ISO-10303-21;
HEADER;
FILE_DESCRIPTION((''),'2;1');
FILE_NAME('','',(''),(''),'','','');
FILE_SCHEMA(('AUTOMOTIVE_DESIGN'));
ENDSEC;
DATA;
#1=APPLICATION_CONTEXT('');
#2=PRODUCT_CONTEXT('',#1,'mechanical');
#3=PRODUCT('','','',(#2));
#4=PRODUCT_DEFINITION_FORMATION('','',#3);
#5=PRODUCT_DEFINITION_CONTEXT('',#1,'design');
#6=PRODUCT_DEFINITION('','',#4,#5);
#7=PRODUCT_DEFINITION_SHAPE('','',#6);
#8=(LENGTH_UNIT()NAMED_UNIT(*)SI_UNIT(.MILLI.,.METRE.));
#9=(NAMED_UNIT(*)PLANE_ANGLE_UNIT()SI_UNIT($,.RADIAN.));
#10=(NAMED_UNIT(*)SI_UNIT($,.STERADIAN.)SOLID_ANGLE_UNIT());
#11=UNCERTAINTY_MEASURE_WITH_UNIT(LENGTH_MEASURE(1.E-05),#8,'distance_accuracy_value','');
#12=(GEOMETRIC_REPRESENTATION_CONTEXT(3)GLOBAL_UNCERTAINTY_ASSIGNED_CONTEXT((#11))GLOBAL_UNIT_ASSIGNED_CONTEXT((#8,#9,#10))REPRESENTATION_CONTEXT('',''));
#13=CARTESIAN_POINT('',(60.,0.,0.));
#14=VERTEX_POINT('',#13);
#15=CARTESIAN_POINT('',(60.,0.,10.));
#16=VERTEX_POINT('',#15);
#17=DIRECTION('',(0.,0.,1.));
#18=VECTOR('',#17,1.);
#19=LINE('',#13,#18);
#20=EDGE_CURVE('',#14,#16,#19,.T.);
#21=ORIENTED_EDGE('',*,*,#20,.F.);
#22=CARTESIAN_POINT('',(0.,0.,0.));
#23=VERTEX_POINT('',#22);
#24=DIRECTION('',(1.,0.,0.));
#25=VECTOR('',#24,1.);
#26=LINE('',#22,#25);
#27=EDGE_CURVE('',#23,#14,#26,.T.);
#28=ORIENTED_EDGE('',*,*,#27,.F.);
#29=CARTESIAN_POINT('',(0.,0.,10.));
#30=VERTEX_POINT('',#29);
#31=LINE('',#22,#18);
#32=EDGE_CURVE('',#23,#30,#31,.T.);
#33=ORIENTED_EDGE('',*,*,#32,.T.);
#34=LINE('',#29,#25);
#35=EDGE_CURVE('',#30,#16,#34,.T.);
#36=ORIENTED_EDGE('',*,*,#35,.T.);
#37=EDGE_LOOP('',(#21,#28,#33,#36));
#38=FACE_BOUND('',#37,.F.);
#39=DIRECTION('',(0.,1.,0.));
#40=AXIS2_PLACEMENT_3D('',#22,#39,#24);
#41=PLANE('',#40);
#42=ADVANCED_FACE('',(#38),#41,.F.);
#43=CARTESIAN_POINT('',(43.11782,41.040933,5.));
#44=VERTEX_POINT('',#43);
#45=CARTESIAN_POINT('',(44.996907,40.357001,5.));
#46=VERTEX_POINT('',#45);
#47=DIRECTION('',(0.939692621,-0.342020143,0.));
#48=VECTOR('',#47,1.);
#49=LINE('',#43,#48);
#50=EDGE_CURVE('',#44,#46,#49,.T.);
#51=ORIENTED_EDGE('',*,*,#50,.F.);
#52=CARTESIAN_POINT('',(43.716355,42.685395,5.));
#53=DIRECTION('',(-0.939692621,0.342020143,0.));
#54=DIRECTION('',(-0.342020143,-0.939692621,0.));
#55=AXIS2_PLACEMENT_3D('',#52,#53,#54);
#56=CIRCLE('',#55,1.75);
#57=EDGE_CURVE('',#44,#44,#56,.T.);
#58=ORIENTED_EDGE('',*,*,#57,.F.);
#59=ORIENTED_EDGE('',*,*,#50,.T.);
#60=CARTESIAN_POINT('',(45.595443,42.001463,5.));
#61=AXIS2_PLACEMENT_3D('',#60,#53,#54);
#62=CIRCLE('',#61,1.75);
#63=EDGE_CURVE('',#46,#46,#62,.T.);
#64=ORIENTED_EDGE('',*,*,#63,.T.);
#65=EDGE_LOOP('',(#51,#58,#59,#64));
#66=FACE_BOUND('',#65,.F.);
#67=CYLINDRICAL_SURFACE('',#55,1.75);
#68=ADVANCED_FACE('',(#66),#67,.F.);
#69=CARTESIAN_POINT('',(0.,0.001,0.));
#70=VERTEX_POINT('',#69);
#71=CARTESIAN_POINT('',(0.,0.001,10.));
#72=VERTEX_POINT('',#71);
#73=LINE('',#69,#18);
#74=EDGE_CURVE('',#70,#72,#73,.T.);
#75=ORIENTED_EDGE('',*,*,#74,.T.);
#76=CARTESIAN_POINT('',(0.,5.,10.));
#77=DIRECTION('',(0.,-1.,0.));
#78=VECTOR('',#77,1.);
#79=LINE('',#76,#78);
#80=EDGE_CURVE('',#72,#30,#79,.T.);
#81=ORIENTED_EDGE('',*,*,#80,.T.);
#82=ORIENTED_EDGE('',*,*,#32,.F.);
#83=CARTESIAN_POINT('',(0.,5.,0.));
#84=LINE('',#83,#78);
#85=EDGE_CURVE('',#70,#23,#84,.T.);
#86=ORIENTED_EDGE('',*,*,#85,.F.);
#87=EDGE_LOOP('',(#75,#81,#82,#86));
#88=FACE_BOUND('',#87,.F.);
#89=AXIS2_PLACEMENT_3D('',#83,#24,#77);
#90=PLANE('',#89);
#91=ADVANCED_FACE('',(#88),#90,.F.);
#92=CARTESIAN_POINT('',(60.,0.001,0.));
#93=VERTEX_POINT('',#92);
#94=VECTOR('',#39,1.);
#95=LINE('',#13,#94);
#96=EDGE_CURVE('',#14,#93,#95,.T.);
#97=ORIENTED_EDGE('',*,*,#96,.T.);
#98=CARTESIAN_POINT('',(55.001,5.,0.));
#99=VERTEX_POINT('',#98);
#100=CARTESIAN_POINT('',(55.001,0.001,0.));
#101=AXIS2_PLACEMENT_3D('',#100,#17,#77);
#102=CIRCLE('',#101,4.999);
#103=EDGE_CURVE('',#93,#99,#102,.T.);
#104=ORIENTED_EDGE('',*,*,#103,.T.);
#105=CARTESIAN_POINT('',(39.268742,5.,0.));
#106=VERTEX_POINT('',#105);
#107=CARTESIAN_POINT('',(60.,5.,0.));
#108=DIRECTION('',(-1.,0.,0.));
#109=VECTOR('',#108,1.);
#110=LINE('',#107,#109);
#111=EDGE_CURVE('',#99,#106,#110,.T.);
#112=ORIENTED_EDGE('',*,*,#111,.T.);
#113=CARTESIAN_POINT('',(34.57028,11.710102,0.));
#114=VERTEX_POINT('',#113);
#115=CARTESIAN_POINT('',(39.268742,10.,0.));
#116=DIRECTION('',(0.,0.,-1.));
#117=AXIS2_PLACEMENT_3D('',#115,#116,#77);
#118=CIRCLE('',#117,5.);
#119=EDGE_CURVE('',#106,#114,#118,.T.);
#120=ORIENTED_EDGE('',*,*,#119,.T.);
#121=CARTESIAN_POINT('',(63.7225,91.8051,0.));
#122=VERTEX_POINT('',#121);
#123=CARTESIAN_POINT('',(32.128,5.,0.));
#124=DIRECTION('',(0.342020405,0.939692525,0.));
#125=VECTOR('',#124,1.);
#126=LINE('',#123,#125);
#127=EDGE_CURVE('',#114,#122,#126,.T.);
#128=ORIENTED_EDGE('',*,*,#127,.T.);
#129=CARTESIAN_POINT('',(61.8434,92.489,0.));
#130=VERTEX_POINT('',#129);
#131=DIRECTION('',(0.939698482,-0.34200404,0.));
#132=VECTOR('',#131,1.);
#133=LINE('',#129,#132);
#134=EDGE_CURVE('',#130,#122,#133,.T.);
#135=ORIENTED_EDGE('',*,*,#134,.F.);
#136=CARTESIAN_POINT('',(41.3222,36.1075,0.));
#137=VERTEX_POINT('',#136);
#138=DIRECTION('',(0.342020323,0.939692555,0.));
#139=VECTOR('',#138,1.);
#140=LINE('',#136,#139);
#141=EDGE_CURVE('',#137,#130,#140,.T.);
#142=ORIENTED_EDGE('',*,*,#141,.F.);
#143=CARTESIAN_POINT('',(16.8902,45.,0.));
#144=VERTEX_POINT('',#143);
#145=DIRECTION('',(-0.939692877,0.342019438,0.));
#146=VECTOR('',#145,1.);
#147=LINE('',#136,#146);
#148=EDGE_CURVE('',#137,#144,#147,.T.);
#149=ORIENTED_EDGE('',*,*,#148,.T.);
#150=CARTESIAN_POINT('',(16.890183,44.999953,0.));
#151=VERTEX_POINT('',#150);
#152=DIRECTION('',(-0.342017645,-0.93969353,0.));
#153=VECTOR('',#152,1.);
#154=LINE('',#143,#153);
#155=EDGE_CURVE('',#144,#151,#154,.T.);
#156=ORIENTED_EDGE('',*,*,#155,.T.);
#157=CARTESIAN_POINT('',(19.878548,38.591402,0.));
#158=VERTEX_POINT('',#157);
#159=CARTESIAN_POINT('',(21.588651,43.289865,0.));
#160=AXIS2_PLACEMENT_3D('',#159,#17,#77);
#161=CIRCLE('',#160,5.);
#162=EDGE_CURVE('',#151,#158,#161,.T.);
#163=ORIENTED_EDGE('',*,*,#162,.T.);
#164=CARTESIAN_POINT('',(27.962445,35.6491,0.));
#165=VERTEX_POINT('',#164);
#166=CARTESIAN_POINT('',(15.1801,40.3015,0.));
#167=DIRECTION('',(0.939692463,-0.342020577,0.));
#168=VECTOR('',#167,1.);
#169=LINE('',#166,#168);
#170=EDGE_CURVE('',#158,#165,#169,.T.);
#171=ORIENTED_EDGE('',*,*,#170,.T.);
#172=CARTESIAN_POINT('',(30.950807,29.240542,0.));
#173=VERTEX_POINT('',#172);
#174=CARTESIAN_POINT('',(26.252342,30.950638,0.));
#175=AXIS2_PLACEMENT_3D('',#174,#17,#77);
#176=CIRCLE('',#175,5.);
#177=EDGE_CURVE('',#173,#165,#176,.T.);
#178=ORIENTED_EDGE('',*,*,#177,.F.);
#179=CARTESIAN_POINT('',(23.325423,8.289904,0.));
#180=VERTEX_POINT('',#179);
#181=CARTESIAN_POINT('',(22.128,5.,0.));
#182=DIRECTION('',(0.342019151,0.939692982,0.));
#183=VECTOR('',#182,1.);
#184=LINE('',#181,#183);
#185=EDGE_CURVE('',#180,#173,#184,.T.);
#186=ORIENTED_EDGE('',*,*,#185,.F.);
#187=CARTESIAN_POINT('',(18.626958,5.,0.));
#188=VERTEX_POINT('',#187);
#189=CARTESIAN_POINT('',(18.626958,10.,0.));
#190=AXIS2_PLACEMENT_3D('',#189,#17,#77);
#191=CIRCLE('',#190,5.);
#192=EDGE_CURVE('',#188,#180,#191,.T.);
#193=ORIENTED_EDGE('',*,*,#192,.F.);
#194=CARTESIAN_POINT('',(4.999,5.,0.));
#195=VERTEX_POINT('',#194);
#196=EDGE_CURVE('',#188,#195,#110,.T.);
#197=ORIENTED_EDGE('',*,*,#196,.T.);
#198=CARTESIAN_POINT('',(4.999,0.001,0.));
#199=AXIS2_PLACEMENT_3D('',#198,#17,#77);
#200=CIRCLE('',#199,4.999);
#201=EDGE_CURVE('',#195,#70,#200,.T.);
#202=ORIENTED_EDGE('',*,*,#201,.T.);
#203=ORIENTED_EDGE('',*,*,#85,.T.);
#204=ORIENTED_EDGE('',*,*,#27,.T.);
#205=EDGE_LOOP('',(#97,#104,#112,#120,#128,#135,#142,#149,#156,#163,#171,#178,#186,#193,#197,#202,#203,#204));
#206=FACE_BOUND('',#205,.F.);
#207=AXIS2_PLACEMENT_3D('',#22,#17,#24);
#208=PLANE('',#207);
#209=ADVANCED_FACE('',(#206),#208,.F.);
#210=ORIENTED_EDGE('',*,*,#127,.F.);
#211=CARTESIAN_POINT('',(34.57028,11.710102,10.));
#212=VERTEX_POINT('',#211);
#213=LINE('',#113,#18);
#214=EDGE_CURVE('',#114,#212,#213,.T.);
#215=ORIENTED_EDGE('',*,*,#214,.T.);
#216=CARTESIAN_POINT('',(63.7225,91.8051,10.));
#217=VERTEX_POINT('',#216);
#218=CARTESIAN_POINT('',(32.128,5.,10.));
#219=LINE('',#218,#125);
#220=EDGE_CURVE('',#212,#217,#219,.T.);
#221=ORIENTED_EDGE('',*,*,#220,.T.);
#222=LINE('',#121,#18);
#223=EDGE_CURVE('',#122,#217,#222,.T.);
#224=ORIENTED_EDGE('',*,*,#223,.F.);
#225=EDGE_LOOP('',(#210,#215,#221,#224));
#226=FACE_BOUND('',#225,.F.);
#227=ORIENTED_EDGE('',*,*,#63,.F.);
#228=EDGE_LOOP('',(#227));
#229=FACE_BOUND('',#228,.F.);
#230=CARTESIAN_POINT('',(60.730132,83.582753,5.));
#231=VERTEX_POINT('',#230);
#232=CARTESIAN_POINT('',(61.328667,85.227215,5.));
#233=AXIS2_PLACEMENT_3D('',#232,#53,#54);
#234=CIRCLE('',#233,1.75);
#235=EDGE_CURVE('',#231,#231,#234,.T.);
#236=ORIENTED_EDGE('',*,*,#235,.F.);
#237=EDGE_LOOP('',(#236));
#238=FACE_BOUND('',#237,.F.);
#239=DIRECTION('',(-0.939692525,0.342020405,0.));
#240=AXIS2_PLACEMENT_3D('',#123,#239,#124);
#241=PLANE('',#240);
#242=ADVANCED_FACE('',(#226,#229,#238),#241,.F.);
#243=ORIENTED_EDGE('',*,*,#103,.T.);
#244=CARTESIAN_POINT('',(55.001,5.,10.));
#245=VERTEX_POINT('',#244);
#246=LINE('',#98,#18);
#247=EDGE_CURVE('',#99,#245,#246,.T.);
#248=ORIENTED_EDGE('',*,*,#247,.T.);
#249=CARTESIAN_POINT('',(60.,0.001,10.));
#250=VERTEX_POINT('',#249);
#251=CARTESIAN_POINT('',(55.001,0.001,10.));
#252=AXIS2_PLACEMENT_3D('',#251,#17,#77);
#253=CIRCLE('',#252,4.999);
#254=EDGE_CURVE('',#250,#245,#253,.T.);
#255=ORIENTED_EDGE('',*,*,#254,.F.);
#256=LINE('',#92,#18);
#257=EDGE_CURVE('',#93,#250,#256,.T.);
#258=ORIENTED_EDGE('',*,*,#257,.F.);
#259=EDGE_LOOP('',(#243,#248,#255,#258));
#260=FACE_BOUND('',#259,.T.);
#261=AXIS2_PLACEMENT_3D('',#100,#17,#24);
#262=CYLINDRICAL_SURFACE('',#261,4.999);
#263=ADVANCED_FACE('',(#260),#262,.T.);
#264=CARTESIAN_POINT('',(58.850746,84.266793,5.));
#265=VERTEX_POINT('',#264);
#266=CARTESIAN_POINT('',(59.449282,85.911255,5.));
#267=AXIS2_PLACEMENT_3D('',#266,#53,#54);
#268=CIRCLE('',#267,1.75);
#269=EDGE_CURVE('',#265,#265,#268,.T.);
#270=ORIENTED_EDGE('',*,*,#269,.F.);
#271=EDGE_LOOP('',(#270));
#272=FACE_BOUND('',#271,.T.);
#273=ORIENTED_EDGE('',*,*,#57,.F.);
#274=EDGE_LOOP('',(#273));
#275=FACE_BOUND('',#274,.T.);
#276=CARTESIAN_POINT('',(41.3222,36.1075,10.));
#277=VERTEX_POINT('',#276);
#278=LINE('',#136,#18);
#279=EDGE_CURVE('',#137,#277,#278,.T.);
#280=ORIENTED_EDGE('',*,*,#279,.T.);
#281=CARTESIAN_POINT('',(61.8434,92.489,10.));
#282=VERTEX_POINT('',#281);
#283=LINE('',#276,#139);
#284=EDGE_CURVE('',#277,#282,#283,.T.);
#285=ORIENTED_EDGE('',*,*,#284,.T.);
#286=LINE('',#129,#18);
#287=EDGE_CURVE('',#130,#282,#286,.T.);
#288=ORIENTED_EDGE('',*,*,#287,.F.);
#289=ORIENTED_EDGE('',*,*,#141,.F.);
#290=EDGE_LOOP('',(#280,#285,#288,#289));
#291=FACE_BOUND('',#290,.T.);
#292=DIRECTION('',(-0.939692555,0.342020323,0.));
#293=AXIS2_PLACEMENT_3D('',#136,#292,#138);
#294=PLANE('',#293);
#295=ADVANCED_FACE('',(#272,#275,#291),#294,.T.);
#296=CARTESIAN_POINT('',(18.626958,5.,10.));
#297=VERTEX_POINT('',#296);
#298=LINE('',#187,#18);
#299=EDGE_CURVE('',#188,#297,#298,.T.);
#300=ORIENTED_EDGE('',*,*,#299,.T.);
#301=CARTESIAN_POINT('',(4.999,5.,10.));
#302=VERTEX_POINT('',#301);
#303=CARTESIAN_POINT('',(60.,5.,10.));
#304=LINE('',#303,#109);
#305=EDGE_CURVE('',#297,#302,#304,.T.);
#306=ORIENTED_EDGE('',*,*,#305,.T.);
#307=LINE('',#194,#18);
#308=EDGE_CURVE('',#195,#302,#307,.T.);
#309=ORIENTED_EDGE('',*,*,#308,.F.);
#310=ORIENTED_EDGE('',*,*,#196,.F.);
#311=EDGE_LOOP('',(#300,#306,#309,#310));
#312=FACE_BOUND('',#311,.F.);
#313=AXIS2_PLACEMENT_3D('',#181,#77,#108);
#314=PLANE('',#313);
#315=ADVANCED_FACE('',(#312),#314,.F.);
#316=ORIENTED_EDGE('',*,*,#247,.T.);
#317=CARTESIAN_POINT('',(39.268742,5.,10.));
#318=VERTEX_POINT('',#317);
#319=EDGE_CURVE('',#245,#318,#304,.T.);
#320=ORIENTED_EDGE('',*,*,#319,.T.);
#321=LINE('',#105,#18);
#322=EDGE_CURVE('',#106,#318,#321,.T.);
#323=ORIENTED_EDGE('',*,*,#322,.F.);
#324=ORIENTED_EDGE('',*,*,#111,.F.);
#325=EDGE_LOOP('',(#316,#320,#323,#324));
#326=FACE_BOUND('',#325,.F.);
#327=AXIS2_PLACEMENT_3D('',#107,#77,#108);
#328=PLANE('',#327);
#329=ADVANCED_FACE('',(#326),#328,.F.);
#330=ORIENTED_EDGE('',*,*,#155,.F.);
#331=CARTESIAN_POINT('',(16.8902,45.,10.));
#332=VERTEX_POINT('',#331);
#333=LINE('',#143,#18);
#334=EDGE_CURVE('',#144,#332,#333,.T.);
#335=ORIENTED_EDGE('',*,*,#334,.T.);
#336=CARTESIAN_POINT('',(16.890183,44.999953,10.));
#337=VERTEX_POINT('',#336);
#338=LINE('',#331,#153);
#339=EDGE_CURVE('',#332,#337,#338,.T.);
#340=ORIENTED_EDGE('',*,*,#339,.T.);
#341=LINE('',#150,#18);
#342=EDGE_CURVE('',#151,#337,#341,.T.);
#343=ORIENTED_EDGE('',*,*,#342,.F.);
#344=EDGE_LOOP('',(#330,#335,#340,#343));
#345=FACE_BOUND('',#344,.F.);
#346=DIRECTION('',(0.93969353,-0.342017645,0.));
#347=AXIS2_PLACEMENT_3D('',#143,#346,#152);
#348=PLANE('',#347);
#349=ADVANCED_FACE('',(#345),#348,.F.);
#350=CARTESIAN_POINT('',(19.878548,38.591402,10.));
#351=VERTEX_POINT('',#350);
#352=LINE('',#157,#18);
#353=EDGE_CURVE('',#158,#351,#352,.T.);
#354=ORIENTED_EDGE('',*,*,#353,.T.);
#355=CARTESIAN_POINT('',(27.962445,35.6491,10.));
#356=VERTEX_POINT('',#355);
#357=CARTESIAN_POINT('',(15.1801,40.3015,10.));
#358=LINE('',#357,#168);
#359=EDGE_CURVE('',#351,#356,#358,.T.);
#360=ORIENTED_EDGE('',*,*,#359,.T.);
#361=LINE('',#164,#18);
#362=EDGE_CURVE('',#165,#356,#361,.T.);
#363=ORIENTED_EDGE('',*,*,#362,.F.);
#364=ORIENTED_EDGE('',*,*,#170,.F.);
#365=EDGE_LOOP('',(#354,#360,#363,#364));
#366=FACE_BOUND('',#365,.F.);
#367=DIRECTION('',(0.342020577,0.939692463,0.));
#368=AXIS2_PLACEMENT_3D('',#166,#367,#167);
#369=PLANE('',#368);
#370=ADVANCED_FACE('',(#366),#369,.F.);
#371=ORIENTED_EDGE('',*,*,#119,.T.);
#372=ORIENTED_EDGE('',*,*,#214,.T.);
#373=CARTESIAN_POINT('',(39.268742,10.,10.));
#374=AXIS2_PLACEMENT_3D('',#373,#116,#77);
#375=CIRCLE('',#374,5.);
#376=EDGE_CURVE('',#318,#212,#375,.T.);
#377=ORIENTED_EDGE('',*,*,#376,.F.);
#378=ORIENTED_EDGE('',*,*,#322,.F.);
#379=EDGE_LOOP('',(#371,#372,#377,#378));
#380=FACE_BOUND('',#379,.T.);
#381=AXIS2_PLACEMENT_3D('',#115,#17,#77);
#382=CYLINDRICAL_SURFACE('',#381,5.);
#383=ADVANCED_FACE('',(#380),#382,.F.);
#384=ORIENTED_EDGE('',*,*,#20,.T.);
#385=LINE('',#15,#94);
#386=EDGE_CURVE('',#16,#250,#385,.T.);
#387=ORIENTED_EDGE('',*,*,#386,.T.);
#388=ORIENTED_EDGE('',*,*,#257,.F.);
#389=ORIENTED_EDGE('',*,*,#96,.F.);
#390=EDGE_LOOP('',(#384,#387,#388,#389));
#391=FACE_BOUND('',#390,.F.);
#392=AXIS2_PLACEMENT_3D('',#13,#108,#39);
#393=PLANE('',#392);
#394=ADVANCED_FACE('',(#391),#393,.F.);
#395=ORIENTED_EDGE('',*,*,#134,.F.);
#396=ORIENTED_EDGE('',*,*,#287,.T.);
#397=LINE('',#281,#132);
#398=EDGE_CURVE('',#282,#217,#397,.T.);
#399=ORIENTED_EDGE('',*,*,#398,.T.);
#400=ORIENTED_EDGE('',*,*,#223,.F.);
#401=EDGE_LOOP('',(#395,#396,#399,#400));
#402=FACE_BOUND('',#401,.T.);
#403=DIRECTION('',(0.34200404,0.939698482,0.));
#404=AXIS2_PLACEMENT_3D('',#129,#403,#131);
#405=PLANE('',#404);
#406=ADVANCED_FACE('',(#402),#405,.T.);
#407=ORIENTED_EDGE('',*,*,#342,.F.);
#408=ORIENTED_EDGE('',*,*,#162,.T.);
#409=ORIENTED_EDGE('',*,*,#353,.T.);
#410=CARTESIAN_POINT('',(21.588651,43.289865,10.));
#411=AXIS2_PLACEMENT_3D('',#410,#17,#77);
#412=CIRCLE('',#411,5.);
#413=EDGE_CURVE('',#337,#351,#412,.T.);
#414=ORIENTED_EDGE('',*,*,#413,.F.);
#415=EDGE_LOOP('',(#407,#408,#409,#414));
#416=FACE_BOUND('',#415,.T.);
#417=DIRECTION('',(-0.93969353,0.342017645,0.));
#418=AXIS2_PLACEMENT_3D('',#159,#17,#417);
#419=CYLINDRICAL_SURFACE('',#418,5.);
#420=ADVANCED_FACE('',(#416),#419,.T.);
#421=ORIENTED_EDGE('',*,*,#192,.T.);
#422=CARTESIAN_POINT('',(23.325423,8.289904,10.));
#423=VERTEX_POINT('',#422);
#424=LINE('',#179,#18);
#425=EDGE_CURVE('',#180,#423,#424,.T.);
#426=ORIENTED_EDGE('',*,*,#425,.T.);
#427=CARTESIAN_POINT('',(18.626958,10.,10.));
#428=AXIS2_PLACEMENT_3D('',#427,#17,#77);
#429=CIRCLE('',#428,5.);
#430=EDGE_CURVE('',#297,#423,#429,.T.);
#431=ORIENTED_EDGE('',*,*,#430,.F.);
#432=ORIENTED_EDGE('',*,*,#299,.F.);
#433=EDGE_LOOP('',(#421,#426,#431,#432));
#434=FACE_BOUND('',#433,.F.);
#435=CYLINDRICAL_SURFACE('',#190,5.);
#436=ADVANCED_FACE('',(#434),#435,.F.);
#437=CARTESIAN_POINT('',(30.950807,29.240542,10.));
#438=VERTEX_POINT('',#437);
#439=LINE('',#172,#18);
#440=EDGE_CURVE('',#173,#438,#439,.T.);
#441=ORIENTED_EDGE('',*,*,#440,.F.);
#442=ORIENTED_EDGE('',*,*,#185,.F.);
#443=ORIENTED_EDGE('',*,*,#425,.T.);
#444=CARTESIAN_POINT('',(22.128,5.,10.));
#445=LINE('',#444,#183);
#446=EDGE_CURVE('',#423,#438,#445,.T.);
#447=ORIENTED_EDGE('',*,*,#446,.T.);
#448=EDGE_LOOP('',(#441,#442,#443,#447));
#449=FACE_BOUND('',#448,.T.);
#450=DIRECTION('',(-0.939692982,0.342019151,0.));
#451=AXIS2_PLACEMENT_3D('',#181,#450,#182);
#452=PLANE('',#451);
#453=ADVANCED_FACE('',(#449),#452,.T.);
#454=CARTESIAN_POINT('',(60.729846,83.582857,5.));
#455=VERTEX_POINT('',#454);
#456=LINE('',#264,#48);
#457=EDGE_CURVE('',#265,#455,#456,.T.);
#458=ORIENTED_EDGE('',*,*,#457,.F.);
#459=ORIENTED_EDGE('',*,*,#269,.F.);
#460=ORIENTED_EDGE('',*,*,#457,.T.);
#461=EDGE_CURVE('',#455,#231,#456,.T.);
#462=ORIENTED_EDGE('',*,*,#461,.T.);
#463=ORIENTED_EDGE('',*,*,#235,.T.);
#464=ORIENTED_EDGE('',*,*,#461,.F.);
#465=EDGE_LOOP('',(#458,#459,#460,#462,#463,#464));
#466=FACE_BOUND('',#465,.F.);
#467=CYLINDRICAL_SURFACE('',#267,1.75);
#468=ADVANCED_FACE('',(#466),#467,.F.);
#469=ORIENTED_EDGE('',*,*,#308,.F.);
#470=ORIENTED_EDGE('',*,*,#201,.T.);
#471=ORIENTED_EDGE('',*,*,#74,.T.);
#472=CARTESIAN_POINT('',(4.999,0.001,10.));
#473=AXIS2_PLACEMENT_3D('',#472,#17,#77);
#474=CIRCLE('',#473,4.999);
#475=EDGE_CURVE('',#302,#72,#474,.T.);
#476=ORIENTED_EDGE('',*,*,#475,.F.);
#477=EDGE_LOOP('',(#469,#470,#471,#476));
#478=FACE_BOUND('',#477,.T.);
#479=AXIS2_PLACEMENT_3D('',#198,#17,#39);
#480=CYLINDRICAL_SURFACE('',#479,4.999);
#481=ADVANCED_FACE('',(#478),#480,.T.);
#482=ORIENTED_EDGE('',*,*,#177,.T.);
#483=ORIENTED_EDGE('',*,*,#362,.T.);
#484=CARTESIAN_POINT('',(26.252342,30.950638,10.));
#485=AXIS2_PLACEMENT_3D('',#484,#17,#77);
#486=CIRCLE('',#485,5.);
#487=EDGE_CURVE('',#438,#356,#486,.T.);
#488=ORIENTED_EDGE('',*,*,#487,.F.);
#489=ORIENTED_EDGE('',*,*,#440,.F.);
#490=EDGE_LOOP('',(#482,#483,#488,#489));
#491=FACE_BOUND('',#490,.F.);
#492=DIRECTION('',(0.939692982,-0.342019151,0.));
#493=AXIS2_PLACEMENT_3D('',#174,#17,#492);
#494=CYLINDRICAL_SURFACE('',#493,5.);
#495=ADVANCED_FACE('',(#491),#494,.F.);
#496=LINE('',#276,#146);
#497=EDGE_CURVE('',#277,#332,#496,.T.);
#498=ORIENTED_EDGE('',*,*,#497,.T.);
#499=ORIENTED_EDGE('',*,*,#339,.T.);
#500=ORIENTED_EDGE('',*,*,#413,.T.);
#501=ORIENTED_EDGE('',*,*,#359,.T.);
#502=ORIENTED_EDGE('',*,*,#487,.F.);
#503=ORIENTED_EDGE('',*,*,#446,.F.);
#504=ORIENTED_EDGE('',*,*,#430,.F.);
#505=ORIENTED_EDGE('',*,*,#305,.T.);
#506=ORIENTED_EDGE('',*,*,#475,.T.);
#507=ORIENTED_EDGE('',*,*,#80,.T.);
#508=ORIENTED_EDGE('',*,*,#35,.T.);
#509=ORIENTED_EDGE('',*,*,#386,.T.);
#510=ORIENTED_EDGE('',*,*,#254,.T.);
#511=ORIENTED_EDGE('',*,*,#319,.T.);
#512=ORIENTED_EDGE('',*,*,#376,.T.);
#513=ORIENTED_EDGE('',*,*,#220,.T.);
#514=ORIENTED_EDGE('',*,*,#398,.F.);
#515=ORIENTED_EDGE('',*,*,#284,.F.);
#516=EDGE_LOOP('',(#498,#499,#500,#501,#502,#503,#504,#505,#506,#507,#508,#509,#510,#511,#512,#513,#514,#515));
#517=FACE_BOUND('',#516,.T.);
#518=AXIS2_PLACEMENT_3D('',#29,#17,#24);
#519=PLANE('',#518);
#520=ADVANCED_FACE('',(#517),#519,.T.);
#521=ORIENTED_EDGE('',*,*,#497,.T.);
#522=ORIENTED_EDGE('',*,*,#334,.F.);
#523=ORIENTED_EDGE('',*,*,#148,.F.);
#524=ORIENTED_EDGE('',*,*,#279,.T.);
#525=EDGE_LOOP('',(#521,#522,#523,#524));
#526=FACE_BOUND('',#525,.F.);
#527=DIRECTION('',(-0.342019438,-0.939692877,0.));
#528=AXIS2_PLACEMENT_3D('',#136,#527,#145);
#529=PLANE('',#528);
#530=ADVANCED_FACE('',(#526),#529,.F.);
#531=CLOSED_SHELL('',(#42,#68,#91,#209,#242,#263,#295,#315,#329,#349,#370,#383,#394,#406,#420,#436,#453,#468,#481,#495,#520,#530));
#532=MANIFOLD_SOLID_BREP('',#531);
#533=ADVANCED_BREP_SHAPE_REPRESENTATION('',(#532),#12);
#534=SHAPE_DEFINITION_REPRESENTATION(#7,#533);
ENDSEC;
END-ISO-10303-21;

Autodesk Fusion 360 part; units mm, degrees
sketch "Sketch1" plane through (0, 0, 0) normal (0, 0, 1) x (1, 0, 0)
  line L0 (0, 0) -> (60, 0)
  line L1 (60, 0) -> (60, 5)
  line L2 (60, 5) -> (0, 5)
  line L3 (0, 5) -> (0, 0)
  line L4 (30, 5) -> (30, 45) construction
  line L5 (30, 5) -> (32.128, 5) construction
  line L6 (32.128, 5) -> (63.7225, 91.8051)
  line L7 (32.128, 5) -> (188.367, 5) construction
  line L8 (30, 5) -> (61.8434, 92.489) construction
  line L9 (30, 5) -> (186.3489, 5) construction
  line L10 (41.3222, 36.1075) -> (16.8902, 45)
  line L11 (30, 45) -> (0, 45) construction
  line L12 (16.8902, 45) -> (15.1801, 40.3015)
  line L13 (32.128, 5) -> (22.128, 5) construction
  line L14 (15.1801, 40.3015) -> (39.6121, 31.409) construction
  line L15 (22.128, 5) -> (32.6609, 33.939)
  line L16 (22.128, 5) -> (52.84, 5) construction
  line L17 (41.3222, 36.1075) -> (61.8434, 92.489)
  line L18 (30, 5) -> (32.128, 5) construction
  line L19 (61.8434, 92.489) -> (63.7225, 91.8051)
  line L20 (15.1801, 40.3015) -> (32.6609, 33.939)
  dimension "d1" = 60
  dimension "d2" = 5
  dimension "d3" = 40
  dimension "d4" = 2.128
  dimension "d5" = 70
  dimension "d6" = 70
  dimension "d7" = 26
  dimension "d8" = 5
  dimension "d9" = 10
  dimension "d10" = 70
  dimension "d11" = 60
extrude "Extrude1" add sketch "Sketch1" along normal blind 10
fillet "Fillet1" radius 5 1 edges at (22.128, 5, 5)
fillet "Fillet2" radius 5 1 edges at (32.128, 5, 5)
fillet "Fillet3" radius 5 1 edges at (32.6609, 33.939, 5)
fillet "Fillet4" radius 5 1 edges at (0, 5, 5)
fillet "Fillet5" radius 5 1 edges at (60, 5, 5)
fillet "Fillet6" radius 5 1 edges at (15.1801, 40.3015, 5)
sketch "Sketch2" plane through (24.8837, -9.0569, 0) normal (-0.9397, 0.342, 0) x (-0.342, -0.9397, 0)
  line L0 (-108.063, 0) -> (-48.063, 0)
  line L1 (-48.063, 0) -> (-48.063, 10)
  line L2 (-48.063, 10) -> (-108.063, 10)
  line L3 (-108.063, 10) -> (-108.063, 0)
  line L4 (-108.063, 5) -> (-101.063, 5) construction
  line L5 (-101.063, 5) -> (-55.063, 5) construction
  circle A0 centre (-55.063, 5) radius 1.75
  circle A1 centre (-101.063, 5) radius 1.75
  dimension "d26" = 7
  dimension "d27" = 46
  dimension "d28" = 3.5
  dimension "d29" = 3.5
extrude "Extrude2" cut sketch "Sketch2" against normal blind 2 contours A0 | A1
